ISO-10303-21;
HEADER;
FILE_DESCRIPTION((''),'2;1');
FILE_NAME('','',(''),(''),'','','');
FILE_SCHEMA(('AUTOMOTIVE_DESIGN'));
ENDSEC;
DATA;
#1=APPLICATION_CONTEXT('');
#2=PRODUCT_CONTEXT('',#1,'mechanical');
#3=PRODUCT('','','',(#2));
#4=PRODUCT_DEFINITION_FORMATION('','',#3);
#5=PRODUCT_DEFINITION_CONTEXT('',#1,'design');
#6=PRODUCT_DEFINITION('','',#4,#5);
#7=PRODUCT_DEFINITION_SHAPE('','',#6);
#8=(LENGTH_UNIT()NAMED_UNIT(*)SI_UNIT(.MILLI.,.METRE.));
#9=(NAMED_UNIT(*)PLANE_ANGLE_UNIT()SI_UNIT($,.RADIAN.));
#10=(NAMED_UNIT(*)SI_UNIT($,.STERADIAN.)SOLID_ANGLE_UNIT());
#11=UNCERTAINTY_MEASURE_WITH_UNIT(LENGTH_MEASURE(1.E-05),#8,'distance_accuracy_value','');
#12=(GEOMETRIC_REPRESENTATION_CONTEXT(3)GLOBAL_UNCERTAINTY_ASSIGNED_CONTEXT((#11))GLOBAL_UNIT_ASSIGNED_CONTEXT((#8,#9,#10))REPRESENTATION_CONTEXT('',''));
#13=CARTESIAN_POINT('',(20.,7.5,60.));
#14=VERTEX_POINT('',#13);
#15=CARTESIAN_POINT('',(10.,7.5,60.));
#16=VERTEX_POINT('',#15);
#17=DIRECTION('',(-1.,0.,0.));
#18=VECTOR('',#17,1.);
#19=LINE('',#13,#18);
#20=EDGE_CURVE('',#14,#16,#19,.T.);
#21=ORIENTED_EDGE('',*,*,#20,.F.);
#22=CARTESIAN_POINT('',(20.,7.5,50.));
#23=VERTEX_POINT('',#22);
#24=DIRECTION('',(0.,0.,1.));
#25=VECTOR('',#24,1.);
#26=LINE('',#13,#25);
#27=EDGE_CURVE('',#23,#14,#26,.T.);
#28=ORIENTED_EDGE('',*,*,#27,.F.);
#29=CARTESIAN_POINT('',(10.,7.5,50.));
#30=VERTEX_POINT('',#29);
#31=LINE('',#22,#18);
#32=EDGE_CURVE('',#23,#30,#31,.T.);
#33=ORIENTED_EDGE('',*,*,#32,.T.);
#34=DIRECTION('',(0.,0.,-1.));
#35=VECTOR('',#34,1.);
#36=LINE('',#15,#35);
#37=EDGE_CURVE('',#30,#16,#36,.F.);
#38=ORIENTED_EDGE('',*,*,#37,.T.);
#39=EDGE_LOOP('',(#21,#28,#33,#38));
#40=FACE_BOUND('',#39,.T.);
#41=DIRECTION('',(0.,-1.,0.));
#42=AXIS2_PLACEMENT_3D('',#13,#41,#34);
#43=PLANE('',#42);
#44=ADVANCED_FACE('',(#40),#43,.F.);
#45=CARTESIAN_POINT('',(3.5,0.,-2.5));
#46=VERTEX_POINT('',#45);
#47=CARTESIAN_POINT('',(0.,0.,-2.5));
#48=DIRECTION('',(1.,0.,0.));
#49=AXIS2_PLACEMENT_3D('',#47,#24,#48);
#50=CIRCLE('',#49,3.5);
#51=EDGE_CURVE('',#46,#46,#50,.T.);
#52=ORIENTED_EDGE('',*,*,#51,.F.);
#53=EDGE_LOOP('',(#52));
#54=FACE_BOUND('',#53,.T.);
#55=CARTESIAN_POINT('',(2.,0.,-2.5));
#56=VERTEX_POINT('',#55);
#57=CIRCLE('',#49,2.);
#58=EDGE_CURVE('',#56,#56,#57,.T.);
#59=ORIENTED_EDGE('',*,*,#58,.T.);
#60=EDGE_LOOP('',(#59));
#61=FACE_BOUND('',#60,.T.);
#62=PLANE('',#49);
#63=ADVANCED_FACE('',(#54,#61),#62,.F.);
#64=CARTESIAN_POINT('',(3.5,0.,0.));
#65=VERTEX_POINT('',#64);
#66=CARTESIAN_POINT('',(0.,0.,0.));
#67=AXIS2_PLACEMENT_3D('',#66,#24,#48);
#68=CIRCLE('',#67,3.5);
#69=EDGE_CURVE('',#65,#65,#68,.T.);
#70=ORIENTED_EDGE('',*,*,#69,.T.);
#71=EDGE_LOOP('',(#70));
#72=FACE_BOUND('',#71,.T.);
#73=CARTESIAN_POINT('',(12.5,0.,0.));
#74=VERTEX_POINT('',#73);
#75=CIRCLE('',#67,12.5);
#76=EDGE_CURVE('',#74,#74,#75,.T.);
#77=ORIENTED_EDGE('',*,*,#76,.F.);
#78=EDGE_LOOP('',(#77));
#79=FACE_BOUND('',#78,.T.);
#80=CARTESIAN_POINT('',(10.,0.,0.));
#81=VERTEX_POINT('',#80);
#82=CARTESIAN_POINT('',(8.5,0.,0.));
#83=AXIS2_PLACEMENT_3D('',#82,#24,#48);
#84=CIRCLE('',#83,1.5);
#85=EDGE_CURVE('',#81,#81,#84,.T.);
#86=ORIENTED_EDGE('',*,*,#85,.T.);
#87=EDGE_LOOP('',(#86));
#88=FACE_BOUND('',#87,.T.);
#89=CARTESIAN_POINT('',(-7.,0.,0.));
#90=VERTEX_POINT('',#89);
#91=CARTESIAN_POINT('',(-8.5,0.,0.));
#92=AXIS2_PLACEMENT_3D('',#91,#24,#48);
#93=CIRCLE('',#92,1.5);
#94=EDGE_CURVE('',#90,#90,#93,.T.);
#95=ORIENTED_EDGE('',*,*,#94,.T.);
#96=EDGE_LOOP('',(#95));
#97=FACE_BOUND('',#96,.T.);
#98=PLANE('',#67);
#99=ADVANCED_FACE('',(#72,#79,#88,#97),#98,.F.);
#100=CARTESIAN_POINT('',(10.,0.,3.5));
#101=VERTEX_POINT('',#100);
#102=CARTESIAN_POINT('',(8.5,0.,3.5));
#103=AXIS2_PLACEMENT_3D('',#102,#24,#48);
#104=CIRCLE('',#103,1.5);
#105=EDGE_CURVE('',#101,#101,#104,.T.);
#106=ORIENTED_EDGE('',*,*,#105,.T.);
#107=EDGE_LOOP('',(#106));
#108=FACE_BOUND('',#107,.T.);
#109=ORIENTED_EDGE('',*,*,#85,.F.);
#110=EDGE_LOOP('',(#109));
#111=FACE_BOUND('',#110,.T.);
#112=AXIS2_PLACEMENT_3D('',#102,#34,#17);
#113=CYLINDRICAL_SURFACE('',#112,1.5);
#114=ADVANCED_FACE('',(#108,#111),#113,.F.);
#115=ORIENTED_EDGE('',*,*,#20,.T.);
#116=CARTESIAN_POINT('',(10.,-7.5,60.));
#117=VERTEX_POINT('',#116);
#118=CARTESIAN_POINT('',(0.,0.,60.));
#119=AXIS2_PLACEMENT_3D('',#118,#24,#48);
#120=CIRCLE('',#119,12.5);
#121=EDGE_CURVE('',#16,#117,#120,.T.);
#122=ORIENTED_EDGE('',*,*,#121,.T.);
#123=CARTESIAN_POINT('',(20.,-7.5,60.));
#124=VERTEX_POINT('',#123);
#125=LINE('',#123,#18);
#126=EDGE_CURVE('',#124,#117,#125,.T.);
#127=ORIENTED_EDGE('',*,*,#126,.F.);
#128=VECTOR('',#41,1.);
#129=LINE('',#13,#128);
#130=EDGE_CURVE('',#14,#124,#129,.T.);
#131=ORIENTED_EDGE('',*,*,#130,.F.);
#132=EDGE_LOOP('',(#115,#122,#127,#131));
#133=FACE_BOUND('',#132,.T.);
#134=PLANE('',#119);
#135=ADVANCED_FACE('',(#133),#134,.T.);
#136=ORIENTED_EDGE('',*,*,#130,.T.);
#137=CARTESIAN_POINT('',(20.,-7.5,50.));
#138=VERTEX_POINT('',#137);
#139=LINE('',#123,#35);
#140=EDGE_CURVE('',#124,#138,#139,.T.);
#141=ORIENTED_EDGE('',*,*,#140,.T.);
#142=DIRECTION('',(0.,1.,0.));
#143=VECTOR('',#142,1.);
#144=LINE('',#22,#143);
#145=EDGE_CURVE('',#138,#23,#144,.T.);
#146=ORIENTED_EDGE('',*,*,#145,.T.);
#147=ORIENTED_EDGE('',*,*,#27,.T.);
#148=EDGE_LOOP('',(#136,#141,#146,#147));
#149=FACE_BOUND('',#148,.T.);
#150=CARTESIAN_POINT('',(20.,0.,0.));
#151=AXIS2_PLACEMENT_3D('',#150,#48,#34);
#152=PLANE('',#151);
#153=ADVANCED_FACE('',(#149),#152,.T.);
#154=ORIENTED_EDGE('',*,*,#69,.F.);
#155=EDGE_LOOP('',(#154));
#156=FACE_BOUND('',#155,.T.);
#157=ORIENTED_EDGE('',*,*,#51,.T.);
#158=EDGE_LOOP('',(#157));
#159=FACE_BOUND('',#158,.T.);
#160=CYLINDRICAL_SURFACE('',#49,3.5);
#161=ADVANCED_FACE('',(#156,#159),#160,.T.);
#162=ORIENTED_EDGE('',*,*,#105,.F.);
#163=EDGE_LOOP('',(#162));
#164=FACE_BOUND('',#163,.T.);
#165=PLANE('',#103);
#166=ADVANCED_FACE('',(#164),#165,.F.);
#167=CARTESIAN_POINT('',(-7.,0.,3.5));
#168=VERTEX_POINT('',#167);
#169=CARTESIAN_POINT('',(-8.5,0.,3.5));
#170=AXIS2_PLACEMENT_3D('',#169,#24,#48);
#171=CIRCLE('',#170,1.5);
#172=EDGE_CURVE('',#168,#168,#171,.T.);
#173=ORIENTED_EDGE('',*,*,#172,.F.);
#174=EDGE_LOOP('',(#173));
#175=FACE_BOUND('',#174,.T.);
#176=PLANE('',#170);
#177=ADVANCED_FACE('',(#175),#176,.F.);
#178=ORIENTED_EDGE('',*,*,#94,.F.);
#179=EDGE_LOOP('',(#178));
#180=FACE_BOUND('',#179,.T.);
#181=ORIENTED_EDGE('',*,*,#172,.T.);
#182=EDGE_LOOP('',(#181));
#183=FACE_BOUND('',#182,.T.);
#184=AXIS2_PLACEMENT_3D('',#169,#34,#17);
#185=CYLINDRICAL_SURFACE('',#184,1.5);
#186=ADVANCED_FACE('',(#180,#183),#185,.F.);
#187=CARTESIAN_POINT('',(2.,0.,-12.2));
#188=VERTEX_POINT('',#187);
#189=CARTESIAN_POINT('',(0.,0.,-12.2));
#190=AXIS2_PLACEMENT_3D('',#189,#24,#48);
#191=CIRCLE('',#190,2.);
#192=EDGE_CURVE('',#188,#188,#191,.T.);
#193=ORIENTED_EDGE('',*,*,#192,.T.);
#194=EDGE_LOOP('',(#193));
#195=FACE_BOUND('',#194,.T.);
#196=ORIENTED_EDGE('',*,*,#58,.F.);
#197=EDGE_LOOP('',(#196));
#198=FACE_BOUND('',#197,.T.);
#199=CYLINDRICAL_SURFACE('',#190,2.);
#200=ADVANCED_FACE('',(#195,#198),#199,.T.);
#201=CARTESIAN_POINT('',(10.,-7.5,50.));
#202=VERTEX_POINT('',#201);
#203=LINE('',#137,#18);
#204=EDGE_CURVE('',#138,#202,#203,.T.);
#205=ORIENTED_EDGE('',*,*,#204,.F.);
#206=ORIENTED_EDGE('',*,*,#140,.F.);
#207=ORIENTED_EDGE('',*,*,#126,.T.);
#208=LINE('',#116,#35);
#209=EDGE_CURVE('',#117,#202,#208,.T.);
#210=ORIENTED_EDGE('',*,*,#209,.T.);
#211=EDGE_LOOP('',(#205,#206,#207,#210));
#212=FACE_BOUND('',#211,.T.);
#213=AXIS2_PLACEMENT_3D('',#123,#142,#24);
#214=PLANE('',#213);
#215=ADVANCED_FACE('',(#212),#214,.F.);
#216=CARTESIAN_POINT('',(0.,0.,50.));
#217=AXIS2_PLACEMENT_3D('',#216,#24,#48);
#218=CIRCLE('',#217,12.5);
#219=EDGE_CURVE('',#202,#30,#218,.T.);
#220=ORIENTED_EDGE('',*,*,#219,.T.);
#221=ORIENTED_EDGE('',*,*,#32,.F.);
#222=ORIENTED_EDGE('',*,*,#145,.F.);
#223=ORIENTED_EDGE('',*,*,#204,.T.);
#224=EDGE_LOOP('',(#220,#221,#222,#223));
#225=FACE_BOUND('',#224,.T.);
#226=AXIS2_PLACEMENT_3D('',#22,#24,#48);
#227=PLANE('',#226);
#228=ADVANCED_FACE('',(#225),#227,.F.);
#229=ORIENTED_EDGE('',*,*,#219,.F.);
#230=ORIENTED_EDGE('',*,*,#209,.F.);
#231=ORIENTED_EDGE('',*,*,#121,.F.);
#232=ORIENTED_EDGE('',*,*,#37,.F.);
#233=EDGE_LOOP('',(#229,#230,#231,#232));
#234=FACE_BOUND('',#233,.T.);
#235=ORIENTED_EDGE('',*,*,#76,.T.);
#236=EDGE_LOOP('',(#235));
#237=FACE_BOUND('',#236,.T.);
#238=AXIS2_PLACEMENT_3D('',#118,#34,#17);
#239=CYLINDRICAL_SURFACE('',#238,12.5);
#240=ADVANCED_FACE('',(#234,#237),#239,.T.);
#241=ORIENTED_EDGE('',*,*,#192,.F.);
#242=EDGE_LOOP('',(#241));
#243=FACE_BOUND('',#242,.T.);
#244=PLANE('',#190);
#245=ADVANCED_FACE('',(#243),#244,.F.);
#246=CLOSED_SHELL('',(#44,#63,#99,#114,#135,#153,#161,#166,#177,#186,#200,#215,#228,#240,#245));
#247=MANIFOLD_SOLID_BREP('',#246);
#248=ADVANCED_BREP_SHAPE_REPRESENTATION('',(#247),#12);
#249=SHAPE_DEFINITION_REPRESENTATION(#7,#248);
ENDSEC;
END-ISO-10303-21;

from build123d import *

# Parameters (mm, degrees)
SKETCH1_R           = 12.5
BOSS_EXTRUDE1_DEPTH = 60
SKETCH2_R           = 1.5
CUT_EXTRUDE1_DEPTH  = 3.5
SKETCH2_3_R         = 3.5
SKETCH2_3_R_2       = 2
BOSS_EXTRUDE2_DEPTH = 2.5
SKETCH2_4_R         = 2
BOSS_EXTRUDE3_DEPTH = 12.2
SKETCH3_W           = 10
SKETCH3_H           = 15
BOSS_EXTRUDE4_DEPTH = 20


with BuildPart() as part:
    # Sketch1 → Boss-Extrude1 (new body)
    with BuildSketch(Plane.XY):
        Circle(SKETCH1_R)
    extrude(amount=BOSS_EXTRUDE1_DEPTH)

    # Sketch2 → Cut-Extrude1 (cut)
    with BuildSketch(Plane.XY):
        with Locations((8.5, 0)):
            Circle(SKETCH2_R)
        with Locations((-8.5, 0)):
            Circle(SKETCH2_R)
    extrude(amount=CUT_EXTRUDE1_DEPTH, mode=Mode.SUBTRACT)

    # Sketch2<3> → Boss-Extrude2 (add)
    with BuildSketch(Plane.XY):
        Circle(SKETCH2_3_R)
        Circle(SKETCH2_3_R_2, mode=Mode.SUBTRACT)
    extrude(amount=-BOSS_EXTRUDE2_DEPTH)

    # Sketch2<4> → Boss-Extrude3 (add)
    with BuildSketch(Plane.XY):
        Circle(SKETCH2_4_R)
    extrude(amount=-BOSS_EXTRUDE3_DEPTH)

    # Sketch3 → Boss-Extrude4 (add)
    with BuildSketch(Plane(origin=(0, 0, 0), x_dir=(0, 0, -1), z_dir=(1, 0, 0))):
        with Locations((-55, 0)):
            Rectangle(SKETCH3_W, SKETCH3_H)
    extrude(amount=BOSS_EXTRUDE4_DEPTH)


solid = part.part
